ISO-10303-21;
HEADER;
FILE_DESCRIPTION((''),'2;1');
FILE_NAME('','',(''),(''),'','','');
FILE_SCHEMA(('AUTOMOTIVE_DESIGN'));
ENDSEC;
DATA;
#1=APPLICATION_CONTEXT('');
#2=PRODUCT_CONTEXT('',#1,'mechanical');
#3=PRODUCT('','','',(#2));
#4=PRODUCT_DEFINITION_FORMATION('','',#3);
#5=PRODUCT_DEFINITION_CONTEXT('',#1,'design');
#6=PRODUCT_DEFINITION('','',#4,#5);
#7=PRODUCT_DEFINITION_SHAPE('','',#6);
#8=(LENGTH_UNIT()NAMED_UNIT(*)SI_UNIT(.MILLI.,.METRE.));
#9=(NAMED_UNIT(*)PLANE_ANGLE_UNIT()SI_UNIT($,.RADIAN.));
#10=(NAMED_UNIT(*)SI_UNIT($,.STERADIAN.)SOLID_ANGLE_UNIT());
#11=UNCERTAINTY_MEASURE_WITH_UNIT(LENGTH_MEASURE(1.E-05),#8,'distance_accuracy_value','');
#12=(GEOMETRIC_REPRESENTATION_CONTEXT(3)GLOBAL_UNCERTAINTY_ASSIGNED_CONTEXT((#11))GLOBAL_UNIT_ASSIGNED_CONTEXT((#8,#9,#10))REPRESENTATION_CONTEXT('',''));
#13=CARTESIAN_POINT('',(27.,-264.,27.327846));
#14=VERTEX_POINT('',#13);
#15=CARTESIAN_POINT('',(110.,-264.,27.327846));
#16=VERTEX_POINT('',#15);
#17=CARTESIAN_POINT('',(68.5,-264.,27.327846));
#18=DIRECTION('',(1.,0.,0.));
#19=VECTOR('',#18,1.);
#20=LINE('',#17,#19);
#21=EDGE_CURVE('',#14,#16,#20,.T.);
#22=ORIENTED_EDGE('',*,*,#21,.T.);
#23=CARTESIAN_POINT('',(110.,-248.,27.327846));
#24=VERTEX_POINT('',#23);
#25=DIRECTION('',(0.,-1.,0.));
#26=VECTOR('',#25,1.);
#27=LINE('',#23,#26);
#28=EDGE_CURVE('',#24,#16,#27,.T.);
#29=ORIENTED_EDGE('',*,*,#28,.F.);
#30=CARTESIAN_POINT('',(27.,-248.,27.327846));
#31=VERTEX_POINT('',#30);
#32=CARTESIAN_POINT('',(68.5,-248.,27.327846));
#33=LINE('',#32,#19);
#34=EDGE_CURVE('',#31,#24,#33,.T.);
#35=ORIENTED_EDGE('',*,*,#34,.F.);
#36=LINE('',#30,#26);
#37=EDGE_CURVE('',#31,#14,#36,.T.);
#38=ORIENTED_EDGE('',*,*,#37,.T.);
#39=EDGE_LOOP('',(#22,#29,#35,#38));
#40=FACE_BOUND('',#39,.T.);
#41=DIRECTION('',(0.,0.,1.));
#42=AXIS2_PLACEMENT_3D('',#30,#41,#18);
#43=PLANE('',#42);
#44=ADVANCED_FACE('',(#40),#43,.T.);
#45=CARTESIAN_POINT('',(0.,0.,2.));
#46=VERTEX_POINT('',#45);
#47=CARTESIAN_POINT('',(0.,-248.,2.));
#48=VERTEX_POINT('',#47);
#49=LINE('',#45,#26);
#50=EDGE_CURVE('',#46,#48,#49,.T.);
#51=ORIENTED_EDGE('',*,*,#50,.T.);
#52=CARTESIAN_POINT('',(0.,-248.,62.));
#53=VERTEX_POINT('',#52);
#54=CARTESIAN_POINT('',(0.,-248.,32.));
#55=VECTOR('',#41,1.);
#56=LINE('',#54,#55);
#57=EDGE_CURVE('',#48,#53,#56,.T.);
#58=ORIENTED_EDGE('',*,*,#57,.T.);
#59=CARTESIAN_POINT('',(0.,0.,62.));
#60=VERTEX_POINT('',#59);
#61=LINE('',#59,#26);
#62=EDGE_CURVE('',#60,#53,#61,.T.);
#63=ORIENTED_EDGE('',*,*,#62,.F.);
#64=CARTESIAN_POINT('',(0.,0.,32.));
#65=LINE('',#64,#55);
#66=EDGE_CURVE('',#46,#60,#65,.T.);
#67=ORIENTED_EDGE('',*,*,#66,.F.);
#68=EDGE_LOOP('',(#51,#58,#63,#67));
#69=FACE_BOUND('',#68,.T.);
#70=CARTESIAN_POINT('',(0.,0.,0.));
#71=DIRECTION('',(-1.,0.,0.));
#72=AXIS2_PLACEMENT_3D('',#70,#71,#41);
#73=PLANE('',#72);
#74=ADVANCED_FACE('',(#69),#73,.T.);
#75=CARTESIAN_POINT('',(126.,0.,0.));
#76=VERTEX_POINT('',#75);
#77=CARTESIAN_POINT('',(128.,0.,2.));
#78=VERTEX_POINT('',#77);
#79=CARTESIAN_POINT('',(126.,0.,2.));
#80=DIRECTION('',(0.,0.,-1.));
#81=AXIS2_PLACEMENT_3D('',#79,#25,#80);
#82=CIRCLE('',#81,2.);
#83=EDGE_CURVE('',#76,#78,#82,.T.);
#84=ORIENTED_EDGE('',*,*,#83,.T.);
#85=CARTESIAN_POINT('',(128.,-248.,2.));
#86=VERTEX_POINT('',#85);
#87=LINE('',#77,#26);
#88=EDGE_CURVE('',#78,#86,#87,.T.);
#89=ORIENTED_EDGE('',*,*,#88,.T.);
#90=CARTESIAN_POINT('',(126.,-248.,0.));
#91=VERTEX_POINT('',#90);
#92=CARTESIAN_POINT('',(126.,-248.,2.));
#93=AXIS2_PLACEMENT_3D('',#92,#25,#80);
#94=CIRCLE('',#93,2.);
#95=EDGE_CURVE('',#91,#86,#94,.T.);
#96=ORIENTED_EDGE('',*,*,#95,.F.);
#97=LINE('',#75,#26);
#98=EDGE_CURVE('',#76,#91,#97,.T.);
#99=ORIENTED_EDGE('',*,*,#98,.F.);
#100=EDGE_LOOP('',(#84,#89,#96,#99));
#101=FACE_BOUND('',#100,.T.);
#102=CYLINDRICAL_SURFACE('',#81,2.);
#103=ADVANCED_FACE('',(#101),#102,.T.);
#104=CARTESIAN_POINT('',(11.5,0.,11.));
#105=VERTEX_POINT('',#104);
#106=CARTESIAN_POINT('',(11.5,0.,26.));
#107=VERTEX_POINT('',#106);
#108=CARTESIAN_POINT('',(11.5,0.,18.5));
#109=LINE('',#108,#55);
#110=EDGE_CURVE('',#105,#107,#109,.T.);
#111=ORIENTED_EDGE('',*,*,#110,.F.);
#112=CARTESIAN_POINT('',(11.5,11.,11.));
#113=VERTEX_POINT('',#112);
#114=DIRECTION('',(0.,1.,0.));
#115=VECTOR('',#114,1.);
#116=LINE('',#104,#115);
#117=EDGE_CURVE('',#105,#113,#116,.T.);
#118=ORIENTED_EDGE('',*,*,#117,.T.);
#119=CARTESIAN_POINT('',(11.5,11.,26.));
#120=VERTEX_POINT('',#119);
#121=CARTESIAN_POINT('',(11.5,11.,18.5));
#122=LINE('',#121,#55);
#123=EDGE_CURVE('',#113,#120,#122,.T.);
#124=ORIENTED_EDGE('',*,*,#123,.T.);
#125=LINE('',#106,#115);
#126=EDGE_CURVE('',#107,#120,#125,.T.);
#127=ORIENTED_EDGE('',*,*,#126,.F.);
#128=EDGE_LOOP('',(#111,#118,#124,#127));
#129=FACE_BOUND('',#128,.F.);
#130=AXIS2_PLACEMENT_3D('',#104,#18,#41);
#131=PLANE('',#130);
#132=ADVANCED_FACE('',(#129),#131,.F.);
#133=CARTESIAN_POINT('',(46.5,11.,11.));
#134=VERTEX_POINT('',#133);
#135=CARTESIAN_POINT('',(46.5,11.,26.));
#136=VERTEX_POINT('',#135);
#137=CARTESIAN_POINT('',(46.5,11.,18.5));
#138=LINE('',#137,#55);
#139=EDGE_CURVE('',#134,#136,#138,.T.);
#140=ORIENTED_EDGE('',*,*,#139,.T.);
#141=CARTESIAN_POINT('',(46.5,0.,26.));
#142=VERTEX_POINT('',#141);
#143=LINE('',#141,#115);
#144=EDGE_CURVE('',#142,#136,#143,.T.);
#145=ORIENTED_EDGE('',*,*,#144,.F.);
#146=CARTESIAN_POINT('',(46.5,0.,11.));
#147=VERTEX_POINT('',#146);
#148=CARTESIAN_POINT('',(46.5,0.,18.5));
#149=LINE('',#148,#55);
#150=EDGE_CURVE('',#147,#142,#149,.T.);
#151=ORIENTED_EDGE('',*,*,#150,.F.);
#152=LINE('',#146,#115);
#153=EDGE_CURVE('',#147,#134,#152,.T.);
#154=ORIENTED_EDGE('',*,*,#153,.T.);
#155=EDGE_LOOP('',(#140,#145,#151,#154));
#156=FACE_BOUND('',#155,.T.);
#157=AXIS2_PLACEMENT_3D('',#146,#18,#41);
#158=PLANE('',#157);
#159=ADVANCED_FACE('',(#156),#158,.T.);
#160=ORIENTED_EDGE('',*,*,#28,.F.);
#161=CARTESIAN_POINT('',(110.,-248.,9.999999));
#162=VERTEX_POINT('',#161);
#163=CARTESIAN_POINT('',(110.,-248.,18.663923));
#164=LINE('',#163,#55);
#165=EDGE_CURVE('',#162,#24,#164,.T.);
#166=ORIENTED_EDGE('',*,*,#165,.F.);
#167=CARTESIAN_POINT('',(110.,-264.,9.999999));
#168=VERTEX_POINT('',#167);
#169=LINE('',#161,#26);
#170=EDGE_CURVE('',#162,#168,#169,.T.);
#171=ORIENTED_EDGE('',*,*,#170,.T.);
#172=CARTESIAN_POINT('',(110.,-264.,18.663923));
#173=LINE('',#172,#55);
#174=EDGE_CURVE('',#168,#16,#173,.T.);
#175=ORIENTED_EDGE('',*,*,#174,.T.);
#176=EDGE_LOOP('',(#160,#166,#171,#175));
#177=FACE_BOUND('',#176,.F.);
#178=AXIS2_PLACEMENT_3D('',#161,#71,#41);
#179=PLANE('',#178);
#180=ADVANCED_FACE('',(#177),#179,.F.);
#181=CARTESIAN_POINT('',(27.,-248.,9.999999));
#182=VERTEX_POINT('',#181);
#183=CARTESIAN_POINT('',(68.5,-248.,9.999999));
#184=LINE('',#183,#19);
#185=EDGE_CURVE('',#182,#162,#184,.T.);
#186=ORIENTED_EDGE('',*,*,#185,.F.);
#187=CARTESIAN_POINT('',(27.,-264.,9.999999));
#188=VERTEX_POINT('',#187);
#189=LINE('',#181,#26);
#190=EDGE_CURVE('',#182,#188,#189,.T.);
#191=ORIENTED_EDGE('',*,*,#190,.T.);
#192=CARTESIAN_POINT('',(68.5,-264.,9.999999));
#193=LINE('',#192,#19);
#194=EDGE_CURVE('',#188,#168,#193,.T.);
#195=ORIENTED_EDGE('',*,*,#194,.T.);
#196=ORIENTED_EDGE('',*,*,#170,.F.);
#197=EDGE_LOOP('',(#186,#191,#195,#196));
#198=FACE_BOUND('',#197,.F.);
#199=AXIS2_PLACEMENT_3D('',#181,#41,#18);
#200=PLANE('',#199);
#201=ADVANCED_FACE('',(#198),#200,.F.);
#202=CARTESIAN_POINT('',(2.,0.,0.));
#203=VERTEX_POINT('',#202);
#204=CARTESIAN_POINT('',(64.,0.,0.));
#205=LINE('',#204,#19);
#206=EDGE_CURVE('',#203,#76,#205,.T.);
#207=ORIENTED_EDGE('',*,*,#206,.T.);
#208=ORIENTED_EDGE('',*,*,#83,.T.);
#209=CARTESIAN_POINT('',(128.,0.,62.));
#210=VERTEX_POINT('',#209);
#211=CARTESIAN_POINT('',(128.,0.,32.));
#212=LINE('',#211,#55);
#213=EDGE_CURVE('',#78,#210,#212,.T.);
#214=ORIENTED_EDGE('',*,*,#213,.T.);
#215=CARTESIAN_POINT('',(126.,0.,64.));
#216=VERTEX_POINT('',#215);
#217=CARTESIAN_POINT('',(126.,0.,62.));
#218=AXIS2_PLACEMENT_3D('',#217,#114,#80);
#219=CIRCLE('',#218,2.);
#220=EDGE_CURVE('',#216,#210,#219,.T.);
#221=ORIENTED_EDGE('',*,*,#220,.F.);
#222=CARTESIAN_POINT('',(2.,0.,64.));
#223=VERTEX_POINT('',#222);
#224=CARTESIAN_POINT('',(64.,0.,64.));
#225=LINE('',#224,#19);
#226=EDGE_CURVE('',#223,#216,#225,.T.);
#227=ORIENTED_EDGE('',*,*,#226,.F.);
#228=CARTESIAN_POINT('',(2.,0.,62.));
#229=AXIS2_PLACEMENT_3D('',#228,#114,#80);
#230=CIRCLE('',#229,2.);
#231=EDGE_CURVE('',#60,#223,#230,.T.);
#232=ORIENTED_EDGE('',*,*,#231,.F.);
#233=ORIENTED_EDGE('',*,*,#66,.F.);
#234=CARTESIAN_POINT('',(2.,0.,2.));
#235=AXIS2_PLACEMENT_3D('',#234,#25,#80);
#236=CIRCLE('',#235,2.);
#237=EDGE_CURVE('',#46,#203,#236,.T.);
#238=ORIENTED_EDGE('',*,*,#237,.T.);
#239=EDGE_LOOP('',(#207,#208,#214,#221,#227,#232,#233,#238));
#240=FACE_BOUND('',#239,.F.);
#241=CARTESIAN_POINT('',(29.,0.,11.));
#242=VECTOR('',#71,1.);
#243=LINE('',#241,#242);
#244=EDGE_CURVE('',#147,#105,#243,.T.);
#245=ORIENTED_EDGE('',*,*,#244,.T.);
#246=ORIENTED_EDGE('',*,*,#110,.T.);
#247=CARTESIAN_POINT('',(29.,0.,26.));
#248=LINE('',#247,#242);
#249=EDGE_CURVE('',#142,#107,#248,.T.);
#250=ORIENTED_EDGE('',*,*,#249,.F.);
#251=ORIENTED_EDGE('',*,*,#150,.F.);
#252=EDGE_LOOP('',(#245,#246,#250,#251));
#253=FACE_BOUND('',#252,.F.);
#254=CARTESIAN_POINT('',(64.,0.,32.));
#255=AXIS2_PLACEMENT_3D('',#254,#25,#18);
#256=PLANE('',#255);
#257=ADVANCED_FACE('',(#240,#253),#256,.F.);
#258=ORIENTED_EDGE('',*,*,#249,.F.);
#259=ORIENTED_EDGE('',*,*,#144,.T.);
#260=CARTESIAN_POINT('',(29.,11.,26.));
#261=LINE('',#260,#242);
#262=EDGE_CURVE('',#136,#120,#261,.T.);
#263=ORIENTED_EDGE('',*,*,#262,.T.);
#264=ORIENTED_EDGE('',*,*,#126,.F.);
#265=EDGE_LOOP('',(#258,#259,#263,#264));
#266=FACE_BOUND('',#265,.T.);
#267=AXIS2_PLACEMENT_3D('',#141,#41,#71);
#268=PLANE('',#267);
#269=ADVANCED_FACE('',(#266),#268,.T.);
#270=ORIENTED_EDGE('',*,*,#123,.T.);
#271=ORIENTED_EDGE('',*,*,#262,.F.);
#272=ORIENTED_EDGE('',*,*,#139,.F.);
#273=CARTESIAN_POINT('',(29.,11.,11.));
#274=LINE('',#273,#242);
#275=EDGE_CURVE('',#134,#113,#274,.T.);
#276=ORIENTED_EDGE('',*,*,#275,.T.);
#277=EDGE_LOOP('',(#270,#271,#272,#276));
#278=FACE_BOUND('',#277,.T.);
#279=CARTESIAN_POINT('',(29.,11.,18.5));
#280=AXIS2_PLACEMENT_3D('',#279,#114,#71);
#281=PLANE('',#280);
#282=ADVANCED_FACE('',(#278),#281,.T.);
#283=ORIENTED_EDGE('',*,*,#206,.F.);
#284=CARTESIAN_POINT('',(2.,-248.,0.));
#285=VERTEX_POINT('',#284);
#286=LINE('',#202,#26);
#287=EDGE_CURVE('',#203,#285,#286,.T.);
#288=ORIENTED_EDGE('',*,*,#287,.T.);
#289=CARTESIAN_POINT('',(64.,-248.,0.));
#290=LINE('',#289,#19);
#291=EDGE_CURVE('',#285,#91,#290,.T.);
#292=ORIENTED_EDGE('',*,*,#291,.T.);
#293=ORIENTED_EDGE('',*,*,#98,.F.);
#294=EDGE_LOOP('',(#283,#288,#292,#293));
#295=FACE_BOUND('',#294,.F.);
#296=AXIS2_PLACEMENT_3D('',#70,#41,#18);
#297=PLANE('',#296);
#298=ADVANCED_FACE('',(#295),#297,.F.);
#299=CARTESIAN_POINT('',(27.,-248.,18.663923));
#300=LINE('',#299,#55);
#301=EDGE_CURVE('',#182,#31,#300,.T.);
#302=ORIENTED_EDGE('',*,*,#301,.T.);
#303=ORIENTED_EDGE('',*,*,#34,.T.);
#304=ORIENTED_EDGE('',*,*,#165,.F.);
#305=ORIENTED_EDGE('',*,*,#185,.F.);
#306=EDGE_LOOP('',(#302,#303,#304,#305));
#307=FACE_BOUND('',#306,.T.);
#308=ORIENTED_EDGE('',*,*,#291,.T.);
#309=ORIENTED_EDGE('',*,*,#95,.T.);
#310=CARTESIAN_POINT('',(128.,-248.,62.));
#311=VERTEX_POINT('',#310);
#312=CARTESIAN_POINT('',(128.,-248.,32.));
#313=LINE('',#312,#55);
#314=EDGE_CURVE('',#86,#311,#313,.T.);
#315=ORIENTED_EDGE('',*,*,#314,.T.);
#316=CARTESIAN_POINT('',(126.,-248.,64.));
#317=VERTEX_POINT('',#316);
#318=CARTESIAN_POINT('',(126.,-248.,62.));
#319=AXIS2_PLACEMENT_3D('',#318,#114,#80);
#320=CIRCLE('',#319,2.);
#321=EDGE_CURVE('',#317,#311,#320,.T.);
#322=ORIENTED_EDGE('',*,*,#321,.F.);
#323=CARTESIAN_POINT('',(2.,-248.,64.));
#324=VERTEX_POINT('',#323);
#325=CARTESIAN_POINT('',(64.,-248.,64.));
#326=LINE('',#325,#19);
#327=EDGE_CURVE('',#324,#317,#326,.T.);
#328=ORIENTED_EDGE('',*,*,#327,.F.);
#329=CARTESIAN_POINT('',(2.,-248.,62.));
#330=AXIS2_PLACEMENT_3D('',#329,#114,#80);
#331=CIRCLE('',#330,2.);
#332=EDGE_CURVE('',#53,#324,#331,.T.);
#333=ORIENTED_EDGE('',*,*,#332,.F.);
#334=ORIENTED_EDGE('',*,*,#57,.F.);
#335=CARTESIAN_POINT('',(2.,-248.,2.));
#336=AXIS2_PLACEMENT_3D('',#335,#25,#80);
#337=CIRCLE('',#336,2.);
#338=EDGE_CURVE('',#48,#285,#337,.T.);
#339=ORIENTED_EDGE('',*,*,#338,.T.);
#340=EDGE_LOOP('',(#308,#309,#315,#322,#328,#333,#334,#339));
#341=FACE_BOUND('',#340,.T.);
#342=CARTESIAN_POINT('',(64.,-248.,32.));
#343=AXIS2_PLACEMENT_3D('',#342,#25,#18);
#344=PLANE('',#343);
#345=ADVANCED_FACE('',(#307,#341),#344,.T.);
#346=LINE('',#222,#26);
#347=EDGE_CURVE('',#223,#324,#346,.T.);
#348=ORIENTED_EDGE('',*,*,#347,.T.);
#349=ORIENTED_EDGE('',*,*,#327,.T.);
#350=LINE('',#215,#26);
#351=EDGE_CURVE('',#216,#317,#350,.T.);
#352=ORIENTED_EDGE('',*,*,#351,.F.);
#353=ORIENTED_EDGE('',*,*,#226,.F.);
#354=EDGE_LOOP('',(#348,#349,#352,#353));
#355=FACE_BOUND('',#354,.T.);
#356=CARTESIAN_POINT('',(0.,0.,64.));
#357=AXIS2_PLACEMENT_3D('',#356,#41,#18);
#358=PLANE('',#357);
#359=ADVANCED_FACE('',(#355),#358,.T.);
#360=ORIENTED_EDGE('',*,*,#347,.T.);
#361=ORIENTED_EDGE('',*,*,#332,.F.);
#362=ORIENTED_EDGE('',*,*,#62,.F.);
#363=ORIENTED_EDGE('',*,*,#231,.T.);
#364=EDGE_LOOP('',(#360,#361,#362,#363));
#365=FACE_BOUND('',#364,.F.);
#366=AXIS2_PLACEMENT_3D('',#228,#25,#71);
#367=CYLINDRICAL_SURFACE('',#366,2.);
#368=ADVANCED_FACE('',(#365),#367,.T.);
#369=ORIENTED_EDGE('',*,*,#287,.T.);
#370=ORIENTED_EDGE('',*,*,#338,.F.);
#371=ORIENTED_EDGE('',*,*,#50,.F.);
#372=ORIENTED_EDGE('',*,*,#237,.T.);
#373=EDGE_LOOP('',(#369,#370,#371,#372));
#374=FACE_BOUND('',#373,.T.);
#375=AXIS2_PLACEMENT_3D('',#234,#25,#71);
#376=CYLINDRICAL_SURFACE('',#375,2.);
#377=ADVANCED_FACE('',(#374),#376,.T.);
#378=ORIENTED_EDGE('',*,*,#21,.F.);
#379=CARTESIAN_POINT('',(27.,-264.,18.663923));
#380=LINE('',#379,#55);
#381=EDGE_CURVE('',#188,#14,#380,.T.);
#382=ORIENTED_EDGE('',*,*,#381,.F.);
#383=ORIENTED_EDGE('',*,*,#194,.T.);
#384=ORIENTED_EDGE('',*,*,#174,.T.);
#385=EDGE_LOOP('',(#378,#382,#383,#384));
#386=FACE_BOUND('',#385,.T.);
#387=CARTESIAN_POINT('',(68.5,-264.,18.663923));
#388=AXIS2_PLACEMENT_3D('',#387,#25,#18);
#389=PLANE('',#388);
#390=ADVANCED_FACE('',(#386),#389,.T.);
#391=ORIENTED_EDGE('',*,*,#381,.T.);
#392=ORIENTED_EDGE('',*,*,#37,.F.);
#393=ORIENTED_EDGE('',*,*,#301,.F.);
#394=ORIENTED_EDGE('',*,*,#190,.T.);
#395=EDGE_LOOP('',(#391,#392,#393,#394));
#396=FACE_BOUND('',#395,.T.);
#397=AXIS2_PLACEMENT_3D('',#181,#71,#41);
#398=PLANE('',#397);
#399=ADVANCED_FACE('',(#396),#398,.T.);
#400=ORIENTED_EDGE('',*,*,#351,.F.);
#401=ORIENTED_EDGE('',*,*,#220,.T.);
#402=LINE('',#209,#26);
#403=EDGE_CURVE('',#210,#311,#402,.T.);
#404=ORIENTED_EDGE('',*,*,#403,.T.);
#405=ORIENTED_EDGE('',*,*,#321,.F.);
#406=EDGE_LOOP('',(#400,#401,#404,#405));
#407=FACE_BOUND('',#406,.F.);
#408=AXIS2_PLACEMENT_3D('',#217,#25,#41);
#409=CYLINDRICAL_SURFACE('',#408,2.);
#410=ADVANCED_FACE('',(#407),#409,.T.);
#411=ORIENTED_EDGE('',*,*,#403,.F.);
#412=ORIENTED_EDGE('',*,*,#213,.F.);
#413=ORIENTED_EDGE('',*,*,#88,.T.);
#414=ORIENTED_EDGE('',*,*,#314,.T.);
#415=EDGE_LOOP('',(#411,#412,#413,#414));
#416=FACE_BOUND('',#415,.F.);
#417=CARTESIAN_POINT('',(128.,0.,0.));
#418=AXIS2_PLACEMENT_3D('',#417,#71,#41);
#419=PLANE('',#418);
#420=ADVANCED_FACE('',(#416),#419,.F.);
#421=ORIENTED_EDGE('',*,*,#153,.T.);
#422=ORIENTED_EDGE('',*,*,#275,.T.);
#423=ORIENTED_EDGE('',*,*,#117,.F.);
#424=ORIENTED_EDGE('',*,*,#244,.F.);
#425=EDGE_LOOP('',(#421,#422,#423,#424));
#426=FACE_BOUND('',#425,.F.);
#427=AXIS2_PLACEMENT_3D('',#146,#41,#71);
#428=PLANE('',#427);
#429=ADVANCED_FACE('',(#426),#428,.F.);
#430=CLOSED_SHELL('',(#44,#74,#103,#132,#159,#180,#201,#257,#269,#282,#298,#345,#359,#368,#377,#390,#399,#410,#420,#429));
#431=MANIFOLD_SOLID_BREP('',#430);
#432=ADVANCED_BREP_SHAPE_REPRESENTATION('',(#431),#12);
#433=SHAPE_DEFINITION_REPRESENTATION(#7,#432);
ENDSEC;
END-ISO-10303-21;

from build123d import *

# Parameters (mm, degrees)
F0_W     = 128
F0_H     = 64
F1_DEPTH = 248
F2_W     = 83
F2_H     = 17.327847
F3_DEPTH = 16
F4_W     = 35
F4_H     = 15
F5_DEPTH = 11
F6_R     = 2


with BuildPart() as f1:
    # F0 (on Front) → F1 (new body)
    with BuildSketch(Plane.XZ):
        with Locations((64, 32)):
            Rectangle(F0_W, F0_H)
    extrude(amount=F1_DEPTH)

    # F2 (on face) → F3 (join)
    with BuildSketch(Plane.XZ.offset(248)):
        with Locations((68.5, 18.663923)):
            Rectangle(F2_W, F2_H)
    extrude(amount=F3_DEPTH)

    # F4 (on face) → F5 (join)
    with BuildSketch(Plane(origin=(0, 0, 0), x_dir=(-1, 0, 0), z_dir=(0, 1, 0))):
        with Locations((-29, 18.5)):
            Rectangle(F4_W, F4_H)
    extrude(amount=F5_DEPTH)

    # F6
    f6_edges = [f1.edges().sort_by_distance(p)[0] for p in [
        (128, -124, 64),
        (128, -124, 0),
        (0, -124, 64),
        (0, -124, 0),
    ]]
    fillet(f6_edges, radius=F6_R)


solid = f1.part
